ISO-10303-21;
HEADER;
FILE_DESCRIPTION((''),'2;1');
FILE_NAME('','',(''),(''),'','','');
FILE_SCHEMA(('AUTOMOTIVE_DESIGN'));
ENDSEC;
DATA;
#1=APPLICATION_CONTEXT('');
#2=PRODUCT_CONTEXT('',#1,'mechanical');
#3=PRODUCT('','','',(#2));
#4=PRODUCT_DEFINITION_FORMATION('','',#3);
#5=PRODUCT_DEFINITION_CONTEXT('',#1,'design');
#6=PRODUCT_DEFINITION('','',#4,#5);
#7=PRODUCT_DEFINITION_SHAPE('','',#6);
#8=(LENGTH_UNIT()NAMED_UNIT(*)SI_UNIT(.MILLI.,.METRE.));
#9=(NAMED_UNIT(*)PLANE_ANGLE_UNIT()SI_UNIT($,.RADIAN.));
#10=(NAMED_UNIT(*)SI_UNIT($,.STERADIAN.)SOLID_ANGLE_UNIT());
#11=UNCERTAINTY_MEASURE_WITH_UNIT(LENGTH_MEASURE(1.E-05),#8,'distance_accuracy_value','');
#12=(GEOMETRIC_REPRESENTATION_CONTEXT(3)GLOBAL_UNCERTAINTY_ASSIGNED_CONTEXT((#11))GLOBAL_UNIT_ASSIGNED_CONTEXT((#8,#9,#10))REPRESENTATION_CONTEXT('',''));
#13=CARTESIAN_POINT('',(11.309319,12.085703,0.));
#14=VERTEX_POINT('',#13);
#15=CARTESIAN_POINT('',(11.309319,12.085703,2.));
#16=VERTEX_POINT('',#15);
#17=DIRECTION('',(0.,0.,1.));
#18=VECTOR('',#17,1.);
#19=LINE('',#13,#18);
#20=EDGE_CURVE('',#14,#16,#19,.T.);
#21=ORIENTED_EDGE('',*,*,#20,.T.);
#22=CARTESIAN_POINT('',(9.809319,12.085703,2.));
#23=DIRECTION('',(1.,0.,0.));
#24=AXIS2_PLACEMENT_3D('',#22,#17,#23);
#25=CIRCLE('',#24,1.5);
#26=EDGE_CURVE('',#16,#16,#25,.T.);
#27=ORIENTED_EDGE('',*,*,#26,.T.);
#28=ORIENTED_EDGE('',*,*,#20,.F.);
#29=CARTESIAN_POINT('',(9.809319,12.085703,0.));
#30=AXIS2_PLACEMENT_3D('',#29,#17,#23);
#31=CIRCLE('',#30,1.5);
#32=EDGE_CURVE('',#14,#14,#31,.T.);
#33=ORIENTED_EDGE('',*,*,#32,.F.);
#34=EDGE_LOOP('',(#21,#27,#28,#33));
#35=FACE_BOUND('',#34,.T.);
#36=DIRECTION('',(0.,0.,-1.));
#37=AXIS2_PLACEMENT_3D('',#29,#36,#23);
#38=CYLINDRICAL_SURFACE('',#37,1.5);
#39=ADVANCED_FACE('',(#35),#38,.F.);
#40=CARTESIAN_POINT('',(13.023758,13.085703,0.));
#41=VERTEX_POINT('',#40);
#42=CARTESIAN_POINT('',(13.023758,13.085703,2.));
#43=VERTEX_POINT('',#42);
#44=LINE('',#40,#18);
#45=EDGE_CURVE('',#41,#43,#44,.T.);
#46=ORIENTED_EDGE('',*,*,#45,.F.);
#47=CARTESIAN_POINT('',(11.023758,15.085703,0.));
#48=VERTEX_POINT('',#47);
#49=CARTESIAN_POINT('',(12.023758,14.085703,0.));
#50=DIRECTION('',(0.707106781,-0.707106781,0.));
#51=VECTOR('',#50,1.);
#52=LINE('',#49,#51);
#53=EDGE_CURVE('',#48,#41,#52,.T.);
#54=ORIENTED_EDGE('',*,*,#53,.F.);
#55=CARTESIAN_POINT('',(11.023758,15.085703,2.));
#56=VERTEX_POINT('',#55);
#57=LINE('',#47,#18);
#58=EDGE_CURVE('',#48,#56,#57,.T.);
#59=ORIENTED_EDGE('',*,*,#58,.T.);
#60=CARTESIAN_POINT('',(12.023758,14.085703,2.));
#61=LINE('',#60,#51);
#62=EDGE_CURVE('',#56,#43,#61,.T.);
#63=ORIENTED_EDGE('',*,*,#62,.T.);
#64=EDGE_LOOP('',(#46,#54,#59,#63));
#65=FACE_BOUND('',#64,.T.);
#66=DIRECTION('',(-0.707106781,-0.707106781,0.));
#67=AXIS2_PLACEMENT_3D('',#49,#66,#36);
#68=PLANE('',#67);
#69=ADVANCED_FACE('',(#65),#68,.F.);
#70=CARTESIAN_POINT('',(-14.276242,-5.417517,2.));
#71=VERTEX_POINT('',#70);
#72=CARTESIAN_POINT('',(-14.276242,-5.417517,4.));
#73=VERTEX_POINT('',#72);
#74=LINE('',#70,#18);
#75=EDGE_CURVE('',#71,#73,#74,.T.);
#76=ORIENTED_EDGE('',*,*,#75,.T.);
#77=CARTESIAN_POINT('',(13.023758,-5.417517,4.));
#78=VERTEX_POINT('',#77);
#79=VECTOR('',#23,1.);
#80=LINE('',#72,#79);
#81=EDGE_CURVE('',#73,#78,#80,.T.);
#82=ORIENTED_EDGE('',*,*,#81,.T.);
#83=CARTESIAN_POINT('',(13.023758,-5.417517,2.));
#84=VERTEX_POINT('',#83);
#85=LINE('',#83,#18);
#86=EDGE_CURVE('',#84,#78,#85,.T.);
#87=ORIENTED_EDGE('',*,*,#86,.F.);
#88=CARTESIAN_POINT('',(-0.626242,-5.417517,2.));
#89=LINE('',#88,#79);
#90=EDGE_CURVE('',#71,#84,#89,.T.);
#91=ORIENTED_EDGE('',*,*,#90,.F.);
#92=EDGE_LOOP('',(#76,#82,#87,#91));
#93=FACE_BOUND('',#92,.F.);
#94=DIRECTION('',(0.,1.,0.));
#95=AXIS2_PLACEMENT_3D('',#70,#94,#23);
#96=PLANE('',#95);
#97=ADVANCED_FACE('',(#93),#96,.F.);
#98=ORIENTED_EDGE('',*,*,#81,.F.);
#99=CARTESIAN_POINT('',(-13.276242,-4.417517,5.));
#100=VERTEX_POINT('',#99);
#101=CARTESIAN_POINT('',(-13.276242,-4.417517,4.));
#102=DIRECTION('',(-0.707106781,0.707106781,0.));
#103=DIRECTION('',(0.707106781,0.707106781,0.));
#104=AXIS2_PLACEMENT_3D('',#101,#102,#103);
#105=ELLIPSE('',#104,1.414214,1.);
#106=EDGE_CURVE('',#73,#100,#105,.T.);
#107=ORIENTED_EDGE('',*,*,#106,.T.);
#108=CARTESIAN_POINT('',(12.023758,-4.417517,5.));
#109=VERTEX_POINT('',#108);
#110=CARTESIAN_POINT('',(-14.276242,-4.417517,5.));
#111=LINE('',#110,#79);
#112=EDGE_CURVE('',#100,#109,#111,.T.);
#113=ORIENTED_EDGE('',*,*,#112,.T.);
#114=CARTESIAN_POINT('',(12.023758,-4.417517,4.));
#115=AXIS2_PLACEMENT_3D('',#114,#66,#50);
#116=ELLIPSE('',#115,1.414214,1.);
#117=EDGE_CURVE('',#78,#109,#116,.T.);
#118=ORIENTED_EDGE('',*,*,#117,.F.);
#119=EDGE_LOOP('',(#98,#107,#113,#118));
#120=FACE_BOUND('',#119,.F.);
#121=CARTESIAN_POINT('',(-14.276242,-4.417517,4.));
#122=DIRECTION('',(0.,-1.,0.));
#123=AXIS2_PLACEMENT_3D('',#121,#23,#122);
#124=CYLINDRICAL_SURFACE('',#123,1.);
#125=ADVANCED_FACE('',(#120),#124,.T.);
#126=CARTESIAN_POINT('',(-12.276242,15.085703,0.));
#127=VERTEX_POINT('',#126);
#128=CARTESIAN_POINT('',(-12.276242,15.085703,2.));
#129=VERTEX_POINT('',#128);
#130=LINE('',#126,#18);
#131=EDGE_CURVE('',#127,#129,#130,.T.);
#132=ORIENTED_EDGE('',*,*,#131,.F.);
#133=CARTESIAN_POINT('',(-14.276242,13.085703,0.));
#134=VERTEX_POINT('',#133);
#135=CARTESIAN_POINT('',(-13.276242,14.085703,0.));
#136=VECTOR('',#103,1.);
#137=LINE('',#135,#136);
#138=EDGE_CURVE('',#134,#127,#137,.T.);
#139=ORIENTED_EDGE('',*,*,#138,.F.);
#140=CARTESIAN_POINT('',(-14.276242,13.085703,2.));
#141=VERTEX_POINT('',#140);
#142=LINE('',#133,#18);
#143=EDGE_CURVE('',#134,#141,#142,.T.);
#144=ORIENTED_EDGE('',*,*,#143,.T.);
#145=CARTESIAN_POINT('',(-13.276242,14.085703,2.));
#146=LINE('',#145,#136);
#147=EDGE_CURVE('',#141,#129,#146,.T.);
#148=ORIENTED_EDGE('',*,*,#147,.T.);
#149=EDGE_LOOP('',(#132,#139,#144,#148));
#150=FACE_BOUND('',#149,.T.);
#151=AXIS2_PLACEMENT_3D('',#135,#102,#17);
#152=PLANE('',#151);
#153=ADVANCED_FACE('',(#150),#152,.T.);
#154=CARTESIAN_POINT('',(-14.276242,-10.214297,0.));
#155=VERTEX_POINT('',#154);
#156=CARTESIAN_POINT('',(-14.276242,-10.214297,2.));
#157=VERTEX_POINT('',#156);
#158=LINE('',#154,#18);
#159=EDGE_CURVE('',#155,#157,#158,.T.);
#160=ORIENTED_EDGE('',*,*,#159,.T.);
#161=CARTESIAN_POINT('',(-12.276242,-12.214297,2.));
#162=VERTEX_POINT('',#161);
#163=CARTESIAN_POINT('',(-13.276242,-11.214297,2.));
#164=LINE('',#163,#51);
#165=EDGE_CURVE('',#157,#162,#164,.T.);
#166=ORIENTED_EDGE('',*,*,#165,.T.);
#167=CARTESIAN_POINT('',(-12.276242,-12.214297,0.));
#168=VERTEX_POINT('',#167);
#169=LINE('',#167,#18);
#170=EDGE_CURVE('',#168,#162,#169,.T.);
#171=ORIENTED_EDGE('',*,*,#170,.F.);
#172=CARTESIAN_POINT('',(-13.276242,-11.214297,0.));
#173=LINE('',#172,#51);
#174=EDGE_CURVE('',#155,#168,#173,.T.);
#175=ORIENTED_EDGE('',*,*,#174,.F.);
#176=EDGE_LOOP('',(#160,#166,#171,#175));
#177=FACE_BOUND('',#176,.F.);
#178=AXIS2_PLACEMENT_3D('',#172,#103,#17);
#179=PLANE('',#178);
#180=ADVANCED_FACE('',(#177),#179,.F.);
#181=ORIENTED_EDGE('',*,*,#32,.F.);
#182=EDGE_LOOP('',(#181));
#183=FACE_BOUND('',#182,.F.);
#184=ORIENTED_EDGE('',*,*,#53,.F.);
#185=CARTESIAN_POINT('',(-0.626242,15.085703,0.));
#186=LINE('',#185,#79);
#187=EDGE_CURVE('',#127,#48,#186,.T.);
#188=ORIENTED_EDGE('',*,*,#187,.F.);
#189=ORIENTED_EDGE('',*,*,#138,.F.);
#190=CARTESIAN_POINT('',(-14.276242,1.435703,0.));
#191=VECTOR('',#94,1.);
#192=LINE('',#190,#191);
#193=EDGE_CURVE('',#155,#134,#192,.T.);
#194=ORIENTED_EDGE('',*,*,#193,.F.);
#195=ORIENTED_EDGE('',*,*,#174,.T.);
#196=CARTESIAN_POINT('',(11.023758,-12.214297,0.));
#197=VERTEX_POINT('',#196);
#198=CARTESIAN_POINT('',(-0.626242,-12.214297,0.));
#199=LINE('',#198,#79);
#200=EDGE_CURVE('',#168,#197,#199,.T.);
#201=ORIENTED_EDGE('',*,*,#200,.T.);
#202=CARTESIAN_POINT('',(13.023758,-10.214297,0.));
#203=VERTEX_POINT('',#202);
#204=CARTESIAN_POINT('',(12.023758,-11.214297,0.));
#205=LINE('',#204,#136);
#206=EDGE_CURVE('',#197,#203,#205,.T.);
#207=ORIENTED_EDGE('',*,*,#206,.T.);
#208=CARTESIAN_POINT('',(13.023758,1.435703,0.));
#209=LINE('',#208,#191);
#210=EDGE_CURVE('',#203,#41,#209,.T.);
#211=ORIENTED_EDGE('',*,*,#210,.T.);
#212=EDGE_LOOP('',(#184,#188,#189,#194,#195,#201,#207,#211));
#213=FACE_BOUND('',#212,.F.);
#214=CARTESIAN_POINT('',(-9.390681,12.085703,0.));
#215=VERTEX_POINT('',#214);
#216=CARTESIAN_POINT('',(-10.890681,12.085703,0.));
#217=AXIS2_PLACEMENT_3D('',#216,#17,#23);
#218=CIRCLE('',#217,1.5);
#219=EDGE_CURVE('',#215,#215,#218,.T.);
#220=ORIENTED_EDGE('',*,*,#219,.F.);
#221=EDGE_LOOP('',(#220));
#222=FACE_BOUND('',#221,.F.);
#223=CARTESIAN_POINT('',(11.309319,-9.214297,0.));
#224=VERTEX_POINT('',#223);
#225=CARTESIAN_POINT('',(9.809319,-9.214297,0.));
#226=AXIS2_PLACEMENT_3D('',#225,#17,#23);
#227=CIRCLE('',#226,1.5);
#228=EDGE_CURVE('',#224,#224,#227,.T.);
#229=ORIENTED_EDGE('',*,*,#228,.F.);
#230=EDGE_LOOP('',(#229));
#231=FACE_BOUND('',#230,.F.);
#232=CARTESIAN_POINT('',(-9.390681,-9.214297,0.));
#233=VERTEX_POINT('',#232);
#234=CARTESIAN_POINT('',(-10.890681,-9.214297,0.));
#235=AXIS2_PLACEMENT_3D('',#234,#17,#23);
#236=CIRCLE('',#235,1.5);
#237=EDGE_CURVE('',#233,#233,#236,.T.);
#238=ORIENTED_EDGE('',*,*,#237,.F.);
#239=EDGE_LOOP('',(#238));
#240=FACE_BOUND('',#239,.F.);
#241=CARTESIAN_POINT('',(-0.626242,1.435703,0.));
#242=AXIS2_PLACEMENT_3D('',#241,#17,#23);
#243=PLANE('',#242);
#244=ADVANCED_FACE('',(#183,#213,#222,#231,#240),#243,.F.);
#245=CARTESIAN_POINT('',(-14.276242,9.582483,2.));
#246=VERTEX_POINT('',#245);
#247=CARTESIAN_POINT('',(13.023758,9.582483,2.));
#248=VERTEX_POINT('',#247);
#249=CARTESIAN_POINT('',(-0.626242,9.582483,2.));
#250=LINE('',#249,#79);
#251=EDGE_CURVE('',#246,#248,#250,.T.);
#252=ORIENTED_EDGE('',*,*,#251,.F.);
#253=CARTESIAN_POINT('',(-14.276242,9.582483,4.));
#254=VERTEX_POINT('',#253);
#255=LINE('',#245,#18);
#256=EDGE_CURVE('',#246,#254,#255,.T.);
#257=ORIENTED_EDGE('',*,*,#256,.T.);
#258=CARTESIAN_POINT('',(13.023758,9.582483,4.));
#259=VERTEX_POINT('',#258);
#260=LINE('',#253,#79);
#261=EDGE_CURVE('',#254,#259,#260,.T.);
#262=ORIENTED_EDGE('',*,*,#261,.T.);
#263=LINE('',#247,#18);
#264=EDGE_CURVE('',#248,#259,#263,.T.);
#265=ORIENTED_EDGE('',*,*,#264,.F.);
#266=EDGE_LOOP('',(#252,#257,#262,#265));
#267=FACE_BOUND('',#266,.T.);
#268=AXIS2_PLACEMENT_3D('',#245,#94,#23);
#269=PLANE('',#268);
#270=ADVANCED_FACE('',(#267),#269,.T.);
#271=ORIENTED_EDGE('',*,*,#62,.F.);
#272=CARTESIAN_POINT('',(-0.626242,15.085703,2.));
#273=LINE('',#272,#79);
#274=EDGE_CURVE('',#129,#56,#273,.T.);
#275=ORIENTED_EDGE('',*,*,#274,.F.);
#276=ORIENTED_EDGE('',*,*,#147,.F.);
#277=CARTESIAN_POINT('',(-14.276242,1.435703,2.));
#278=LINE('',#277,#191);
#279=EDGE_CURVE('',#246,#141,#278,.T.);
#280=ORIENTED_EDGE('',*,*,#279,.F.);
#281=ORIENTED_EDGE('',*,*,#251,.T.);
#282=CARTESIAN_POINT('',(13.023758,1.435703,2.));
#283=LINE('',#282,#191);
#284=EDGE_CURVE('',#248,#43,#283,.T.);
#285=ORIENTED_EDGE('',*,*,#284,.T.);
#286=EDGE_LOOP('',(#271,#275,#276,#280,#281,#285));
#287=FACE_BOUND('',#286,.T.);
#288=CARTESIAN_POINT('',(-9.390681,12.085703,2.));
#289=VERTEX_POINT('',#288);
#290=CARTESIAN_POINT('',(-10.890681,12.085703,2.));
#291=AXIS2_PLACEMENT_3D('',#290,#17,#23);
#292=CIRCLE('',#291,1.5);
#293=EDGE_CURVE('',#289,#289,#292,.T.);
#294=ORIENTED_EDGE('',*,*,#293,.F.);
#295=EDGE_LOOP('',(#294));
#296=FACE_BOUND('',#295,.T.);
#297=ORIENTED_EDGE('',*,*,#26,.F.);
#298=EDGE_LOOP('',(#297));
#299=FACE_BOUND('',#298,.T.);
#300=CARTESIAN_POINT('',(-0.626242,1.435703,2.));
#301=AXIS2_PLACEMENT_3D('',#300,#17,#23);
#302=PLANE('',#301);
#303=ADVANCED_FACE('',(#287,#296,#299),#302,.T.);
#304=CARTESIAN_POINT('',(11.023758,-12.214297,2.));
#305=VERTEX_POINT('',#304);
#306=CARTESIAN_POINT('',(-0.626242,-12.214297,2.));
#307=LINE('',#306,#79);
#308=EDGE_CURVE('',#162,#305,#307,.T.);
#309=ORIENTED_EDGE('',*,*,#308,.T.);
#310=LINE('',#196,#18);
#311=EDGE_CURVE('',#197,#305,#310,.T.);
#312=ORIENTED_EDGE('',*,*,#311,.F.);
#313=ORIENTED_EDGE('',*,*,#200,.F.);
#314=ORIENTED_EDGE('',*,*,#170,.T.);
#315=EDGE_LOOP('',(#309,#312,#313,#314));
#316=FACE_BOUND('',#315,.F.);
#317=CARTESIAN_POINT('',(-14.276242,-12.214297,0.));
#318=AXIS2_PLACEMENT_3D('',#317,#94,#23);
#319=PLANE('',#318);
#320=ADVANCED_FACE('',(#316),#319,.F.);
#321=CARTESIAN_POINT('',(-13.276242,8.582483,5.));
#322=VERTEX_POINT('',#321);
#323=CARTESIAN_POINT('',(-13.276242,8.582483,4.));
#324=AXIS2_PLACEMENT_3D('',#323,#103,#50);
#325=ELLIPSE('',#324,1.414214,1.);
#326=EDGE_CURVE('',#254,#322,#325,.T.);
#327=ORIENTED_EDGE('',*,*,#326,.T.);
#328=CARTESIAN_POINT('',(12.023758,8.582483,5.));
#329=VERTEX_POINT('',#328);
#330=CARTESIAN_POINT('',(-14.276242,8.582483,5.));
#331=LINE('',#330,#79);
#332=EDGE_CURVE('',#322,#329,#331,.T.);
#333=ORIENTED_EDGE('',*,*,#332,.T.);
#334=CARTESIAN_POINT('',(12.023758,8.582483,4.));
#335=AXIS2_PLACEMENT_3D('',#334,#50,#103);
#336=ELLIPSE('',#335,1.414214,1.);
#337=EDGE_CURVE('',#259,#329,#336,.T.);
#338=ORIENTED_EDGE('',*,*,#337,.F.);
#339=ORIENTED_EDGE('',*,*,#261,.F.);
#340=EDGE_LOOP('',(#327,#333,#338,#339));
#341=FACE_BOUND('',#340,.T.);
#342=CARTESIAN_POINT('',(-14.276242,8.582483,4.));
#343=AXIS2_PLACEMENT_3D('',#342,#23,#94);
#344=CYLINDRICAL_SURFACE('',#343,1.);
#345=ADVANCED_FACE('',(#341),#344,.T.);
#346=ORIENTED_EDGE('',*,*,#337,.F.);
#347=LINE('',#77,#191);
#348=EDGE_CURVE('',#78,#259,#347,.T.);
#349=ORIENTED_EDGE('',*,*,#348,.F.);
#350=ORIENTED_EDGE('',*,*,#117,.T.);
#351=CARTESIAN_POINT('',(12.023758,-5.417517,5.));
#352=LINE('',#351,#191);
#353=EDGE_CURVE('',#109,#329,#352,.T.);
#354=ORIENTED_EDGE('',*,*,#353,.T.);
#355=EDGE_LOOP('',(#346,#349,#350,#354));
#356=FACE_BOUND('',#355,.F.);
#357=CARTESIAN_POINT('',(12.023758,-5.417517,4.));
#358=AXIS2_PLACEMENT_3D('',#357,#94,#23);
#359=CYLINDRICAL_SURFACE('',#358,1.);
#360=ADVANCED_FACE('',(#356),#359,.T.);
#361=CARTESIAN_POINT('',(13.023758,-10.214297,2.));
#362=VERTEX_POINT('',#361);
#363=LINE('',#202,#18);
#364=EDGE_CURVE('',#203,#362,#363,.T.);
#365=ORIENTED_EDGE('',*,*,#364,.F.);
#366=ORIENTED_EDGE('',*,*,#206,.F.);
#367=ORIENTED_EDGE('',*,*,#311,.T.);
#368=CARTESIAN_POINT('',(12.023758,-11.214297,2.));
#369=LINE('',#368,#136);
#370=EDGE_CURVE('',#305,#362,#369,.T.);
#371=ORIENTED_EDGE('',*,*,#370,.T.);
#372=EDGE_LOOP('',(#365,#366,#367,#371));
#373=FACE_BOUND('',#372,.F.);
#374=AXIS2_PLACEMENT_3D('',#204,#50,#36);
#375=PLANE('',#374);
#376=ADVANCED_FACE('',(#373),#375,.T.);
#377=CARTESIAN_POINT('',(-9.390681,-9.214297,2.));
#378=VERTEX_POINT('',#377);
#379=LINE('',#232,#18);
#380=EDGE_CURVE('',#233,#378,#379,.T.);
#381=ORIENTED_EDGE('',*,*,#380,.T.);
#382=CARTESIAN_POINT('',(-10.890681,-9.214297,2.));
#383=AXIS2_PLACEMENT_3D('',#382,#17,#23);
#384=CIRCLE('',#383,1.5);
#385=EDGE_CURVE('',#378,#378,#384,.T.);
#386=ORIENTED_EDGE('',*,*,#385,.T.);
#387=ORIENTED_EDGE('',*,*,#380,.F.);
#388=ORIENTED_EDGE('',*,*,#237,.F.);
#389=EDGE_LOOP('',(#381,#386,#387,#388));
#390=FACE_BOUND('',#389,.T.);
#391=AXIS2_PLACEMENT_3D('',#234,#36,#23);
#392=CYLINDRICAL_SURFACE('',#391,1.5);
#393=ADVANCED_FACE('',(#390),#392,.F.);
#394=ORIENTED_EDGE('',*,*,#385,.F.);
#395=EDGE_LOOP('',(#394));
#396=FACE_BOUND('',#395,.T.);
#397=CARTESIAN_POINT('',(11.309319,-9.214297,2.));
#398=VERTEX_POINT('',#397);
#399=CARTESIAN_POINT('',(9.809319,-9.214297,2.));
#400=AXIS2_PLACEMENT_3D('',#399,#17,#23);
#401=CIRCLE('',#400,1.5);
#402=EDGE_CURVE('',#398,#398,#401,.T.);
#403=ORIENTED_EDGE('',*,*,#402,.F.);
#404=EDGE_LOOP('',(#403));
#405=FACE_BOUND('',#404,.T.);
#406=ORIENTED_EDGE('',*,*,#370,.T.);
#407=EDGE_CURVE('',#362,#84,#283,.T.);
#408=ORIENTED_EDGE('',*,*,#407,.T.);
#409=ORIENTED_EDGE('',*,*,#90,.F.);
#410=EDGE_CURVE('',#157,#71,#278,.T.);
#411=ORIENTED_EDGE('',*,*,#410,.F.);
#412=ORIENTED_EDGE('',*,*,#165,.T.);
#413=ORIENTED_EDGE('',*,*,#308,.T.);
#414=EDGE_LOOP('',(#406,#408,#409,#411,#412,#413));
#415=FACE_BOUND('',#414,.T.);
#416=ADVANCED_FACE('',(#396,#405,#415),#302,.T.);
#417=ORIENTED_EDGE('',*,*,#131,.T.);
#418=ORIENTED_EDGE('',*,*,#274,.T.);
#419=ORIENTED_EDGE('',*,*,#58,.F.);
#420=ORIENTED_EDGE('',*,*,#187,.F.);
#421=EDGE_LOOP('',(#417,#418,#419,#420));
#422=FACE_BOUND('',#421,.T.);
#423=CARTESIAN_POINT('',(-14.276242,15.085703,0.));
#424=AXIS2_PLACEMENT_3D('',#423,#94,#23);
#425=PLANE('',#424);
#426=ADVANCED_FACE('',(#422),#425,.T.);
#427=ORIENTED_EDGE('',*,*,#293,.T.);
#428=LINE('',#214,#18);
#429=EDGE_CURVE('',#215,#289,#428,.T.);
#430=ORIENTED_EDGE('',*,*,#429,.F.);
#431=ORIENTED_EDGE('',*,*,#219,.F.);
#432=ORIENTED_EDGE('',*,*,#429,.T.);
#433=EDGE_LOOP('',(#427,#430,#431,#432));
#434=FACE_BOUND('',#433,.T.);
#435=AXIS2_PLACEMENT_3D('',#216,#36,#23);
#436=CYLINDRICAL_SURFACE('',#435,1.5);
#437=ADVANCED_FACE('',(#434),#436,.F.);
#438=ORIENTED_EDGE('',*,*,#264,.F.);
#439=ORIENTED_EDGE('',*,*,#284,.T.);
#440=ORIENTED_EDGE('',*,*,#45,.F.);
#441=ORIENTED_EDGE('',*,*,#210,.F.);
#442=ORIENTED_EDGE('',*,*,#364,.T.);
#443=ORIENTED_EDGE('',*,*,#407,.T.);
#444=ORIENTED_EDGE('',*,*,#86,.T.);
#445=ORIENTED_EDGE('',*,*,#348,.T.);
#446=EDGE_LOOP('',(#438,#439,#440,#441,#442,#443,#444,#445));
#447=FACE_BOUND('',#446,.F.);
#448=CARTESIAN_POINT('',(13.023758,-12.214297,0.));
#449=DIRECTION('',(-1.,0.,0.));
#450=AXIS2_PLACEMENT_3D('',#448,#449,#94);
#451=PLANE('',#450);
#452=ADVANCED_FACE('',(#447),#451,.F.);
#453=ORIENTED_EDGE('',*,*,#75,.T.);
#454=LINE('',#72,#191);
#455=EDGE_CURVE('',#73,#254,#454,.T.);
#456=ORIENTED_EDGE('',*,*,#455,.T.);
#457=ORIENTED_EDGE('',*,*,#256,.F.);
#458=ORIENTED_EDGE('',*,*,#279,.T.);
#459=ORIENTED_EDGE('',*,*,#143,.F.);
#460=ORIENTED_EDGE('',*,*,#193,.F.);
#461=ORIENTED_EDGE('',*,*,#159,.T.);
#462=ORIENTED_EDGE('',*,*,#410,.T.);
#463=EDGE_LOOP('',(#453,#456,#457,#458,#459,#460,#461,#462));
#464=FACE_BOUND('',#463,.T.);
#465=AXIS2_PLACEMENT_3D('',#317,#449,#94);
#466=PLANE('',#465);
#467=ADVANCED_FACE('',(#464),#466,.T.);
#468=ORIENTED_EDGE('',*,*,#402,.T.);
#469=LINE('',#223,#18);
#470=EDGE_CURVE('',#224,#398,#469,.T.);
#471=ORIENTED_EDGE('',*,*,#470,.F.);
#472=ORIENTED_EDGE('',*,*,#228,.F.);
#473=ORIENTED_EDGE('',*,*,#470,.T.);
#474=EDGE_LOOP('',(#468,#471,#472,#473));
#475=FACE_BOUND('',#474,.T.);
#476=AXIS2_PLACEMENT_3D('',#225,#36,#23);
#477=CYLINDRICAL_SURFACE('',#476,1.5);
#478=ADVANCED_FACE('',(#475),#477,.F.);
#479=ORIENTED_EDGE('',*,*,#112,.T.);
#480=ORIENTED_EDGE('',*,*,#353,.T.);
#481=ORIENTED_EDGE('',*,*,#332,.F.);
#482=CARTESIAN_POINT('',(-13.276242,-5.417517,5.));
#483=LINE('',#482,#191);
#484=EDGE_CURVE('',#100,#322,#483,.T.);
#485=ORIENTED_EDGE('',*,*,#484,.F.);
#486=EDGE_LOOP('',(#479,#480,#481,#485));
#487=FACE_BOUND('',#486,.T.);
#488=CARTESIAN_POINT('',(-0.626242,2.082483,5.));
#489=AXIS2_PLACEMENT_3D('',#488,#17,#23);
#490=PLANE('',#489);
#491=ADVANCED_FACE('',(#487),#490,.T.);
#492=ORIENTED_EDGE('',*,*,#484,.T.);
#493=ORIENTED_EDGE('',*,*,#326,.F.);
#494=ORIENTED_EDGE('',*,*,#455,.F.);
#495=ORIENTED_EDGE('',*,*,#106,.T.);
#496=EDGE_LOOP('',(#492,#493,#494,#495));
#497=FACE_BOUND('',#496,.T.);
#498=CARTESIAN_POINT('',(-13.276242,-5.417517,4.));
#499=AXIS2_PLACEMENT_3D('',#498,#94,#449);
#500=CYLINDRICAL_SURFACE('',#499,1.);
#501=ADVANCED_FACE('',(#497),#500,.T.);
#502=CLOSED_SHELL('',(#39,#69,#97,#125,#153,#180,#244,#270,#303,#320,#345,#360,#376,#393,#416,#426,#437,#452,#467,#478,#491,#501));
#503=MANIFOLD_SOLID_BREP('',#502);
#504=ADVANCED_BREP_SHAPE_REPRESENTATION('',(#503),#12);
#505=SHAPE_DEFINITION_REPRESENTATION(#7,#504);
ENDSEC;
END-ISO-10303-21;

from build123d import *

# Parameters (mm, degrees)
F0_W     = 27.3
F0_H     = 27.3
F0_R     = 1.5
F1_DEPTH = 2
F2_SIZE  = 2
F3_W     = 27.3
F3_H     = 15
F4_DEPTH = 3
F5_R     = 1


with BuildPart() as f1:
    # F0 (on Top) → F1 (new body)
    with BuildSketch(Plane.XY):
        with Locations((-0.626242, 1.435703)):
            Rectangle(F0_W, F0_H)
        with Locations((-10.890681, -9.214297)):
            Circle(F0_R, mode=Mode.SUBTRACT)
        with Locations((9.809319, -9.214297)):
            Circle(F0_R, mode=Mode.SUBTRACT)
        with Locations((-10.890681, 12.085703)):
            Circle(F0_R, mode=Mode.SUBTRACT)
        with Locations((9.809319, 12.085703)):
            Circle(F0_R, mode=Mode.SUBTRACT)
    extrude(amount=F1_DEPTH)

    # F2
    f2_edges = [f1.edges().sort_by_distance(p)[0] for p in [
        (13.023758, 15.085703, 1),
        (13.023758, -12.214297, 1),
        (-14.276242, -12.214297, 1),
        (-14.276242, 15.085703, 1),
    ]]
    chamfer(f2_edges, length=F2_SIZE)

    # F3 (on face) → F4 (join)
    with BuildSketch(Plane.XY.offset(2)):
        with Locations((-0.626242, 2.082483)):
            Rectangle(F3_W, F3_H)
    extrude(amount=F4_DEPTH)

    # F5
    f5_edges = [f1.edges().sort_by_distance(p)[0] for p in [
        (-0.626242, 9.582483, 5),
        (-0.626242, -5.417517, 5),
        (-14.276242, 2.082483, 5),
        (13.023758, 2.082483, 5),
    ]]
    fillet(f5_edges, radius=F5_R)


solid = f1.part
